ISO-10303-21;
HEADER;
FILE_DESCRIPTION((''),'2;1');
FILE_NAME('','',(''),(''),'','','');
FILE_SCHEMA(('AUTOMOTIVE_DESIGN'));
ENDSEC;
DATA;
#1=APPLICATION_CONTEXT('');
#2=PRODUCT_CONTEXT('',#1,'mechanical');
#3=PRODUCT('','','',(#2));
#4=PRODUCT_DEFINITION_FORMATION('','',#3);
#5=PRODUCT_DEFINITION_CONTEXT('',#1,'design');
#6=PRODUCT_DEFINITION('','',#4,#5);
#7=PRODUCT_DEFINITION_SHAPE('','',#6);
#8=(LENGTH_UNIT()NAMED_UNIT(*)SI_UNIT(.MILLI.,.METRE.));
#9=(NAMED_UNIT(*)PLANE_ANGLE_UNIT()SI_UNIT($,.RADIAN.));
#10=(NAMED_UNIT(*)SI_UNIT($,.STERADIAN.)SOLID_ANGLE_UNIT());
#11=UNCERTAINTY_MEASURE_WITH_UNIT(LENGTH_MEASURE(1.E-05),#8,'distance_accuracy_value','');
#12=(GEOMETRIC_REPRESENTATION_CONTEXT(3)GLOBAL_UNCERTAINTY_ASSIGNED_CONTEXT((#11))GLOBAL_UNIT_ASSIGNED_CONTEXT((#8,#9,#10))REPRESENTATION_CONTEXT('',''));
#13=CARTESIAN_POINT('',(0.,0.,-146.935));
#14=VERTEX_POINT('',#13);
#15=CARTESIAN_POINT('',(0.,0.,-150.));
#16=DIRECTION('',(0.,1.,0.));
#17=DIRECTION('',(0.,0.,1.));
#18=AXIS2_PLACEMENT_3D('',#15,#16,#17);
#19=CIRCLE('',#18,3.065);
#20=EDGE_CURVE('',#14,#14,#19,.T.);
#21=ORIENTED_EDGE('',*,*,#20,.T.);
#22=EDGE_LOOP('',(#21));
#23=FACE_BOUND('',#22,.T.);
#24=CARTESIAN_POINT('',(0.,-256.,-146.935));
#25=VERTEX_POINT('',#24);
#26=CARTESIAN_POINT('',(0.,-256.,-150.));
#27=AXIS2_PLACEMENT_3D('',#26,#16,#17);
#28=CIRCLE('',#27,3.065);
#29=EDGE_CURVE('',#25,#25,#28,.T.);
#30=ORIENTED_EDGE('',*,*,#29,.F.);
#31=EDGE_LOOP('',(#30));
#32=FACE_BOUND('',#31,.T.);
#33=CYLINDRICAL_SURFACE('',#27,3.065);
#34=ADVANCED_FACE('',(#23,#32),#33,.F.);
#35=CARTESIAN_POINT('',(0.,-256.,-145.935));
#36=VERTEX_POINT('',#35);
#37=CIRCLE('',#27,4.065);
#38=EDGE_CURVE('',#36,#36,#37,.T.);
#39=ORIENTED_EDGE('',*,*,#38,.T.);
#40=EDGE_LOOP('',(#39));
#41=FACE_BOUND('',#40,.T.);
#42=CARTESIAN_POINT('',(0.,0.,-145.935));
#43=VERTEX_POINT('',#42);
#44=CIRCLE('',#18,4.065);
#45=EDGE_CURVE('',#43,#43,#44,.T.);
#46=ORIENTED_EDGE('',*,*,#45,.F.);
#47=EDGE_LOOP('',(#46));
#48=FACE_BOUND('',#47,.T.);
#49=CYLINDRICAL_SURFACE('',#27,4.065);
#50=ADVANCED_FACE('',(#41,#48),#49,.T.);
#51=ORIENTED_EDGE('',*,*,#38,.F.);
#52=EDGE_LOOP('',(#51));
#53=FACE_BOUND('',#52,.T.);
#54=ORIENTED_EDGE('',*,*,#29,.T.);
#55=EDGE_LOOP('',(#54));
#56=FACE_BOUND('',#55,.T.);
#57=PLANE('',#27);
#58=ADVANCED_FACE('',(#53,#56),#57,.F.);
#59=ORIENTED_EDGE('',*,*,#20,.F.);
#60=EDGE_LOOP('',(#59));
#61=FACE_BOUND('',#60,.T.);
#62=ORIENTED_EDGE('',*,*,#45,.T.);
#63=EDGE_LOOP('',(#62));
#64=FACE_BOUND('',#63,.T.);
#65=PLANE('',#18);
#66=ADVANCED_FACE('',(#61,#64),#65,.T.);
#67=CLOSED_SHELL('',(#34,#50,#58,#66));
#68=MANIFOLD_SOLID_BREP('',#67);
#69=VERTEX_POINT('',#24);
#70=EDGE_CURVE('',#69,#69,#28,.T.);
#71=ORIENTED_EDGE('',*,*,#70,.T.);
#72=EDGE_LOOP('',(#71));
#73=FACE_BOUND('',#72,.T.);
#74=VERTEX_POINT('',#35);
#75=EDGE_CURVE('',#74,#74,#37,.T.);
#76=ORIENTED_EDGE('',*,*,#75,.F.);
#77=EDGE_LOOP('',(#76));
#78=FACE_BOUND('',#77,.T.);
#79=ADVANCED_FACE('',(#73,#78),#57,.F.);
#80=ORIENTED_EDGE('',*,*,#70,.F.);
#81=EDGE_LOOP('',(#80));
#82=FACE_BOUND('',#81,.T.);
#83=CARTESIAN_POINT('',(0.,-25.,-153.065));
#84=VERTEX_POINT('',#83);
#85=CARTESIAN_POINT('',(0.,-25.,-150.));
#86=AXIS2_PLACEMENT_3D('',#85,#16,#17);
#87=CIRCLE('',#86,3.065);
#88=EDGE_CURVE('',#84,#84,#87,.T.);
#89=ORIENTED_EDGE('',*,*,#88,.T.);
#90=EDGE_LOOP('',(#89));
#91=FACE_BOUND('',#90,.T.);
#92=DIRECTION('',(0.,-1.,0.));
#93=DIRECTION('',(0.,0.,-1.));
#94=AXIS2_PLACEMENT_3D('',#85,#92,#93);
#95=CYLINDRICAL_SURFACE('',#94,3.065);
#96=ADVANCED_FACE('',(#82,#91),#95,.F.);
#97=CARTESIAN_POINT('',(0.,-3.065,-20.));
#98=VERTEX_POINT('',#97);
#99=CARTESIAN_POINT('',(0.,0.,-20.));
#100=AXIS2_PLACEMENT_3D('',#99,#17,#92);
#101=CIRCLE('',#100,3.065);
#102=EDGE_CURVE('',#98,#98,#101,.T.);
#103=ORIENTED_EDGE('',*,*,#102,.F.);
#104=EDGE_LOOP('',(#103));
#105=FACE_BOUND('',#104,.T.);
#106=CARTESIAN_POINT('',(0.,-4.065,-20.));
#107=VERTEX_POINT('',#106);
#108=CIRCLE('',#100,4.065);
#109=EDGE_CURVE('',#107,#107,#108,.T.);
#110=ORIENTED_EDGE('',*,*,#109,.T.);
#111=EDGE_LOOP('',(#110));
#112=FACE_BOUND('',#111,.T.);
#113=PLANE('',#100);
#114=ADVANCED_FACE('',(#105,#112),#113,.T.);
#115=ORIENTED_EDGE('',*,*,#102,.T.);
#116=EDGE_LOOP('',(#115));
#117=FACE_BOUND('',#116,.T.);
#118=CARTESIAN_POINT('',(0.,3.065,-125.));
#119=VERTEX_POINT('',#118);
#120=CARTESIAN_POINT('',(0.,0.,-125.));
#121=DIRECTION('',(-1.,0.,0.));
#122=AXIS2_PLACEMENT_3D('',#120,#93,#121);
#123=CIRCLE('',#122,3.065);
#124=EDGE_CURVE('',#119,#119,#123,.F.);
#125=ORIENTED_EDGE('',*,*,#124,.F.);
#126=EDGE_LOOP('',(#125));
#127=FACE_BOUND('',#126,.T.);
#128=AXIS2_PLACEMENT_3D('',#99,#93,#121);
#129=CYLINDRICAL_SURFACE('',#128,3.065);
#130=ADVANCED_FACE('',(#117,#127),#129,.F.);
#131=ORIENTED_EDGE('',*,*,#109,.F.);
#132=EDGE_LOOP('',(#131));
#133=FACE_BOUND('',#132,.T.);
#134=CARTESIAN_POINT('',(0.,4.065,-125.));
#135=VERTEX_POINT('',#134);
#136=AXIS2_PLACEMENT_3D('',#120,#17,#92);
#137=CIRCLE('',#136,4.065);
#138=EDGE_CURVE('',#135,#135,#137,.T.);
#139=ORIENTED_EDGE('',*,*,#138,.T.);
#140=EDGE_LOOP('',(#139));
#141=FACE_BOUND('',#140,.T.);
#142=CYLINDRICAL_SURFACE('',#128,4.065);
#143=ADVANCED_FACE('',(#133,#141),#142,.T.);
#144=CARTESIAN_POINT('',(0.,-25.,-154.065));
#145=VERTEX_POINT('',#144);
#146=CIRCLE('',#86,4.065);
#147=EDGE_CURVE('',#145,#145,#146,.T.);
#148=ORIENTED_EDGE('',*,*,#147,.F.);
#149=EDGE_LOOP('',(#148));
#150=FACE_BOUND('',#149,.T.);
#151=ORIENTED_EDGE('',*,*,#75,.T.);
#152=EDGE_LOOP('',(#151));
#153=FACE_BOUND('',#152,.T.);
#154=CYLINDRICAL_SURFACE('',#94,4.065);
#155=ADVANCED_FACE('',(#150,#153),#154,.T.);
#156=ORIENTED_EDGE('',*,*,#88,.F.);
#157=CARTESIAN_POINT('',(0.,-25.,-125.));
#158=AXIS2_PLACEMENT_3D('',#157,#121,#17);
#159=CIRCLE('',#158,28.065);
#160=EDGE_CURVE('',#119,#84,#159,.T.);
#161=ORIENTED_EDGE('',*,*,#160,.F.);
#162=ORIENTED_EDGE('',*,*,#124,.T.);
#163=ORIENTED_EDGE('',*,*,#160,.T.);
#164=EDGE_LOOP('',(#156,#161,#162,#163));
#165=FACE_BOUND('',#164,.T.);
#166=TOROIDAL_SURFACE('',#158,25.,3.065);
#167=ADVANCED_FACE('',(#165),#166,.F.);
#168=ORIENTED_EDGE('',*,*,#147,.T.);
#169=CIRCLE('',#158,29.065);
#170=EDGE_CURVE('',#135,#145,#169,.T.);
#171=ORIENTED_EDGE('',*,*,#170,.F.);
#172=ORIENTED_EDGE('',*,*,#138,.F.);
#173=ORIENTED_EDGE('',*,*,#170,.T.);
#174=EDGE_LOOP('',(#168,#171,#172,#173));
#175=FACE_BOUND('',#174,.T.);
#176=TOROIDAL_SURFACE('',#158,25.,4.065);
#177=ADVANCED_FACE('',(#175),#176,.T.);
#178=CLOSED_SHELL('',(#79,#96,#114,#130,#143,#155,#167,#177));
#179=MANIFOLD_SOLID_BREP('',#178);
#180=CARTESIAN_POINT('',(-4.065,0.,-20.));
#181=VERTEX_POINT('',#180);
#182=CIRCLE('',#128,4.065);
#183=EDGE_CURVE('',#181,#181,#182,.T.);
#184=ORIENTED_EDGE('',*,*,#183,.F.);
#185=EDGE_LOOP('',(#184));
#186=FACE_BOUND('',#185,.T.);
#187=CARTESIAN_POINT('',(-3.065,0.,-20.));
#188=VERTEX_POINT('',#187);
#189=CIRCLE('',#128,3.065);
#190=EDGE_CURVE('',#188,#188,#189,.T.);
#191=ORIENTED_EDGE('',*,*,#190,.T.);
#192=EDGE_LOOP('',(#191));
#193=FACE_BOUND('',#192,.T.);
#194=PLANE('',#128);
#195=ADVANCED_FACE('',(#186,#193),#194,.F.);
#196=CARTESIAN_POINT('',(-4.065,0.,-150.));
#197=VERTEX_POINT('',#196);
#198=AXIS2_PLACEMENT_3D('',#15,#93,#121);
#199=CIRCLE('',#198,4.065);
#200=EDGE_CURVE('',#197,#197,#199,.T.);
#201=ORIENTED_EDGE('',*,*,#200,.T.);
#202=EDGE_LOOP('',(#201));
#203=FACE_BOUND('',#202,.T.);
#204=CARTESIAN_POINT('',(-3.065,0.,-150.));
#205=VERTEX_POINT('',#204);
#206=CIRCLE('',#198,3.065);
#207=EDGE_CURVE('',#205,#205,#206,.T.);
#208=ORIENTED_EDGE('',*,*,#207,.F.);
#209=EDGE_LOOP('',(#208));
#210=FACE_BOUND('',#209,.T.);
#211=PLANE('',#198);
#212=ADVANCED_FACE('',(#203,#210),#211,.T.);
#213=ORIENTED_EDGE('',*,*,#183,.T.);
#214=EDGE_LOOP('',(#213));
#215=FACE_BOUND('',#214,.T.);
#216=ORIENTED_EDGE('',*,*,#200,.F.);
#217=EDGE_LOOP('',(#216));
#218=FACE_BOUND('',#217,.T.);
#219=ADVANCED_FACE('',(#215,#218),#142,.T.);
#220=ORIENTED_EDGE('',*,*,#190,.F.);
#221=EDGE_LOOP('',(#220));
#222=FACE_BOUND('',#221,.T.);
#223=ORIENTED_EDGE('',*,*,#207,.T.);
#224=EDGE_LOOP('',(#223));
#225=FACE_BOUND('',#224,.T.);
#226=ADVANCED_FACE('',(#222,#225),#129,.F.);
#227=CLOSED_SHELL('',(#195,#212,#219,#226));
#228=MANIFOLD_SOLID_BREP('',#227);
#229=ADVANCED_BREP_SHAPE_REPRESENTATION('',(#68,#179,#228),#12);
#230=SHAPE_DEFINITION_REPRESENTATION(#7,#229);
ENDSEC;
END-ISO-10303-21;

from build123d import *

# Parameters (mm, degrees)
SWEEP_THIN1_PROFILE_R   = 4.065
SWEEP_THIN1_PROFILE_R_2 = 3.065
SWEEP_THIN2_PROFILE_R   = 4.065
SWEEP_THIN2_PROFILE_R_2 = 3.065
SWEEP_THIN3_PROFILE_R   = 4.065
SWEEP_THIN3_PROFILE_R_2 = 3.065


with BuildPart() as part:
    # Sweep-Thin1: sweep along a path in Sketch1
    with BuildLine(Plane(origin=(0, 0, 0), x_dir=(0, 0, -1), z_dir=(1, 0, 0))) as sweep_thin1_path:
        Line((20, 0), (125, 0))
        ThreePointArc((125, 0), (142.67766953, -7.32233047), (150, -25))
        Line((150, -25), (150, -256))
    # Sweep-Thin1 profile (on start of the path) → Sweep-Thin1 (sweep)
    with BuildSketch(Plane(origin=(0, 0, -20), x_dir=(-1, 0, 0), z_dir=(0, 0, -1))):
        Circle(SWEEP_THIN1_PROFILE_R)
        Circle(SWEEP_THIN1_PROFILE_R_2, mode=Mode.SUBTRACT)
    sweep(path=sweep_thin1_path.line)


with BuildPart() as body_2:
    # Sweep-Thin2: sweep along a path in Sketch12
    with BuildLine(Plane(origin=(0, 0, 0), x_dir=(0, 0, -1), z_dir=(1, 0, 0))) as sweep_thin2_path:
        Line((20, 0), (150, 0))
    # Sweep-Thin2 profile (on start of the path) → Sweep-Thin2 (sweep)
    with BuildSketch(Plane(origin=(0, 0, -20), x_dir=(-1, 0, 0), z_dir=(0, 0, -1))):
        Circle(SWEEP_THIN2_PROFILE_R)
        Circle(SWEEP_THIN2_PROFILE_R_2, mode=Mode.SUBTRACT)
    sweep(path=sweep_thin2_path.line)


with BuildPart() as body_3:
    # Sweep-Thin3: sweep along a path in Sketch23
    with BuildLine(Plane(origin=(0, 0, 0), x_dir=(0, 0, -1), z_dir=(1, 0, 0))) as sweep_thin3_path:
        Line((150, -256), (150, 0))
    # Sweep-Thin3 profile (on start of the path) → Sweep-Thin3 (sweep)
    with BuildSketch(Plane(origin=(0, -256, -150), x_dir=(0, 0, 1), z_dir=(0, 1, 0))):
        Circle(SWEEP_THIN3_PROFILE_R)
        Circle(SWEEP_THIN3_PROFILE_R_2, mode=Mode.SUBTRACT)
    sweep(path=sweep_thin3_path.line)


solid = Compound([part.part, body_2.part, body_3.part])
